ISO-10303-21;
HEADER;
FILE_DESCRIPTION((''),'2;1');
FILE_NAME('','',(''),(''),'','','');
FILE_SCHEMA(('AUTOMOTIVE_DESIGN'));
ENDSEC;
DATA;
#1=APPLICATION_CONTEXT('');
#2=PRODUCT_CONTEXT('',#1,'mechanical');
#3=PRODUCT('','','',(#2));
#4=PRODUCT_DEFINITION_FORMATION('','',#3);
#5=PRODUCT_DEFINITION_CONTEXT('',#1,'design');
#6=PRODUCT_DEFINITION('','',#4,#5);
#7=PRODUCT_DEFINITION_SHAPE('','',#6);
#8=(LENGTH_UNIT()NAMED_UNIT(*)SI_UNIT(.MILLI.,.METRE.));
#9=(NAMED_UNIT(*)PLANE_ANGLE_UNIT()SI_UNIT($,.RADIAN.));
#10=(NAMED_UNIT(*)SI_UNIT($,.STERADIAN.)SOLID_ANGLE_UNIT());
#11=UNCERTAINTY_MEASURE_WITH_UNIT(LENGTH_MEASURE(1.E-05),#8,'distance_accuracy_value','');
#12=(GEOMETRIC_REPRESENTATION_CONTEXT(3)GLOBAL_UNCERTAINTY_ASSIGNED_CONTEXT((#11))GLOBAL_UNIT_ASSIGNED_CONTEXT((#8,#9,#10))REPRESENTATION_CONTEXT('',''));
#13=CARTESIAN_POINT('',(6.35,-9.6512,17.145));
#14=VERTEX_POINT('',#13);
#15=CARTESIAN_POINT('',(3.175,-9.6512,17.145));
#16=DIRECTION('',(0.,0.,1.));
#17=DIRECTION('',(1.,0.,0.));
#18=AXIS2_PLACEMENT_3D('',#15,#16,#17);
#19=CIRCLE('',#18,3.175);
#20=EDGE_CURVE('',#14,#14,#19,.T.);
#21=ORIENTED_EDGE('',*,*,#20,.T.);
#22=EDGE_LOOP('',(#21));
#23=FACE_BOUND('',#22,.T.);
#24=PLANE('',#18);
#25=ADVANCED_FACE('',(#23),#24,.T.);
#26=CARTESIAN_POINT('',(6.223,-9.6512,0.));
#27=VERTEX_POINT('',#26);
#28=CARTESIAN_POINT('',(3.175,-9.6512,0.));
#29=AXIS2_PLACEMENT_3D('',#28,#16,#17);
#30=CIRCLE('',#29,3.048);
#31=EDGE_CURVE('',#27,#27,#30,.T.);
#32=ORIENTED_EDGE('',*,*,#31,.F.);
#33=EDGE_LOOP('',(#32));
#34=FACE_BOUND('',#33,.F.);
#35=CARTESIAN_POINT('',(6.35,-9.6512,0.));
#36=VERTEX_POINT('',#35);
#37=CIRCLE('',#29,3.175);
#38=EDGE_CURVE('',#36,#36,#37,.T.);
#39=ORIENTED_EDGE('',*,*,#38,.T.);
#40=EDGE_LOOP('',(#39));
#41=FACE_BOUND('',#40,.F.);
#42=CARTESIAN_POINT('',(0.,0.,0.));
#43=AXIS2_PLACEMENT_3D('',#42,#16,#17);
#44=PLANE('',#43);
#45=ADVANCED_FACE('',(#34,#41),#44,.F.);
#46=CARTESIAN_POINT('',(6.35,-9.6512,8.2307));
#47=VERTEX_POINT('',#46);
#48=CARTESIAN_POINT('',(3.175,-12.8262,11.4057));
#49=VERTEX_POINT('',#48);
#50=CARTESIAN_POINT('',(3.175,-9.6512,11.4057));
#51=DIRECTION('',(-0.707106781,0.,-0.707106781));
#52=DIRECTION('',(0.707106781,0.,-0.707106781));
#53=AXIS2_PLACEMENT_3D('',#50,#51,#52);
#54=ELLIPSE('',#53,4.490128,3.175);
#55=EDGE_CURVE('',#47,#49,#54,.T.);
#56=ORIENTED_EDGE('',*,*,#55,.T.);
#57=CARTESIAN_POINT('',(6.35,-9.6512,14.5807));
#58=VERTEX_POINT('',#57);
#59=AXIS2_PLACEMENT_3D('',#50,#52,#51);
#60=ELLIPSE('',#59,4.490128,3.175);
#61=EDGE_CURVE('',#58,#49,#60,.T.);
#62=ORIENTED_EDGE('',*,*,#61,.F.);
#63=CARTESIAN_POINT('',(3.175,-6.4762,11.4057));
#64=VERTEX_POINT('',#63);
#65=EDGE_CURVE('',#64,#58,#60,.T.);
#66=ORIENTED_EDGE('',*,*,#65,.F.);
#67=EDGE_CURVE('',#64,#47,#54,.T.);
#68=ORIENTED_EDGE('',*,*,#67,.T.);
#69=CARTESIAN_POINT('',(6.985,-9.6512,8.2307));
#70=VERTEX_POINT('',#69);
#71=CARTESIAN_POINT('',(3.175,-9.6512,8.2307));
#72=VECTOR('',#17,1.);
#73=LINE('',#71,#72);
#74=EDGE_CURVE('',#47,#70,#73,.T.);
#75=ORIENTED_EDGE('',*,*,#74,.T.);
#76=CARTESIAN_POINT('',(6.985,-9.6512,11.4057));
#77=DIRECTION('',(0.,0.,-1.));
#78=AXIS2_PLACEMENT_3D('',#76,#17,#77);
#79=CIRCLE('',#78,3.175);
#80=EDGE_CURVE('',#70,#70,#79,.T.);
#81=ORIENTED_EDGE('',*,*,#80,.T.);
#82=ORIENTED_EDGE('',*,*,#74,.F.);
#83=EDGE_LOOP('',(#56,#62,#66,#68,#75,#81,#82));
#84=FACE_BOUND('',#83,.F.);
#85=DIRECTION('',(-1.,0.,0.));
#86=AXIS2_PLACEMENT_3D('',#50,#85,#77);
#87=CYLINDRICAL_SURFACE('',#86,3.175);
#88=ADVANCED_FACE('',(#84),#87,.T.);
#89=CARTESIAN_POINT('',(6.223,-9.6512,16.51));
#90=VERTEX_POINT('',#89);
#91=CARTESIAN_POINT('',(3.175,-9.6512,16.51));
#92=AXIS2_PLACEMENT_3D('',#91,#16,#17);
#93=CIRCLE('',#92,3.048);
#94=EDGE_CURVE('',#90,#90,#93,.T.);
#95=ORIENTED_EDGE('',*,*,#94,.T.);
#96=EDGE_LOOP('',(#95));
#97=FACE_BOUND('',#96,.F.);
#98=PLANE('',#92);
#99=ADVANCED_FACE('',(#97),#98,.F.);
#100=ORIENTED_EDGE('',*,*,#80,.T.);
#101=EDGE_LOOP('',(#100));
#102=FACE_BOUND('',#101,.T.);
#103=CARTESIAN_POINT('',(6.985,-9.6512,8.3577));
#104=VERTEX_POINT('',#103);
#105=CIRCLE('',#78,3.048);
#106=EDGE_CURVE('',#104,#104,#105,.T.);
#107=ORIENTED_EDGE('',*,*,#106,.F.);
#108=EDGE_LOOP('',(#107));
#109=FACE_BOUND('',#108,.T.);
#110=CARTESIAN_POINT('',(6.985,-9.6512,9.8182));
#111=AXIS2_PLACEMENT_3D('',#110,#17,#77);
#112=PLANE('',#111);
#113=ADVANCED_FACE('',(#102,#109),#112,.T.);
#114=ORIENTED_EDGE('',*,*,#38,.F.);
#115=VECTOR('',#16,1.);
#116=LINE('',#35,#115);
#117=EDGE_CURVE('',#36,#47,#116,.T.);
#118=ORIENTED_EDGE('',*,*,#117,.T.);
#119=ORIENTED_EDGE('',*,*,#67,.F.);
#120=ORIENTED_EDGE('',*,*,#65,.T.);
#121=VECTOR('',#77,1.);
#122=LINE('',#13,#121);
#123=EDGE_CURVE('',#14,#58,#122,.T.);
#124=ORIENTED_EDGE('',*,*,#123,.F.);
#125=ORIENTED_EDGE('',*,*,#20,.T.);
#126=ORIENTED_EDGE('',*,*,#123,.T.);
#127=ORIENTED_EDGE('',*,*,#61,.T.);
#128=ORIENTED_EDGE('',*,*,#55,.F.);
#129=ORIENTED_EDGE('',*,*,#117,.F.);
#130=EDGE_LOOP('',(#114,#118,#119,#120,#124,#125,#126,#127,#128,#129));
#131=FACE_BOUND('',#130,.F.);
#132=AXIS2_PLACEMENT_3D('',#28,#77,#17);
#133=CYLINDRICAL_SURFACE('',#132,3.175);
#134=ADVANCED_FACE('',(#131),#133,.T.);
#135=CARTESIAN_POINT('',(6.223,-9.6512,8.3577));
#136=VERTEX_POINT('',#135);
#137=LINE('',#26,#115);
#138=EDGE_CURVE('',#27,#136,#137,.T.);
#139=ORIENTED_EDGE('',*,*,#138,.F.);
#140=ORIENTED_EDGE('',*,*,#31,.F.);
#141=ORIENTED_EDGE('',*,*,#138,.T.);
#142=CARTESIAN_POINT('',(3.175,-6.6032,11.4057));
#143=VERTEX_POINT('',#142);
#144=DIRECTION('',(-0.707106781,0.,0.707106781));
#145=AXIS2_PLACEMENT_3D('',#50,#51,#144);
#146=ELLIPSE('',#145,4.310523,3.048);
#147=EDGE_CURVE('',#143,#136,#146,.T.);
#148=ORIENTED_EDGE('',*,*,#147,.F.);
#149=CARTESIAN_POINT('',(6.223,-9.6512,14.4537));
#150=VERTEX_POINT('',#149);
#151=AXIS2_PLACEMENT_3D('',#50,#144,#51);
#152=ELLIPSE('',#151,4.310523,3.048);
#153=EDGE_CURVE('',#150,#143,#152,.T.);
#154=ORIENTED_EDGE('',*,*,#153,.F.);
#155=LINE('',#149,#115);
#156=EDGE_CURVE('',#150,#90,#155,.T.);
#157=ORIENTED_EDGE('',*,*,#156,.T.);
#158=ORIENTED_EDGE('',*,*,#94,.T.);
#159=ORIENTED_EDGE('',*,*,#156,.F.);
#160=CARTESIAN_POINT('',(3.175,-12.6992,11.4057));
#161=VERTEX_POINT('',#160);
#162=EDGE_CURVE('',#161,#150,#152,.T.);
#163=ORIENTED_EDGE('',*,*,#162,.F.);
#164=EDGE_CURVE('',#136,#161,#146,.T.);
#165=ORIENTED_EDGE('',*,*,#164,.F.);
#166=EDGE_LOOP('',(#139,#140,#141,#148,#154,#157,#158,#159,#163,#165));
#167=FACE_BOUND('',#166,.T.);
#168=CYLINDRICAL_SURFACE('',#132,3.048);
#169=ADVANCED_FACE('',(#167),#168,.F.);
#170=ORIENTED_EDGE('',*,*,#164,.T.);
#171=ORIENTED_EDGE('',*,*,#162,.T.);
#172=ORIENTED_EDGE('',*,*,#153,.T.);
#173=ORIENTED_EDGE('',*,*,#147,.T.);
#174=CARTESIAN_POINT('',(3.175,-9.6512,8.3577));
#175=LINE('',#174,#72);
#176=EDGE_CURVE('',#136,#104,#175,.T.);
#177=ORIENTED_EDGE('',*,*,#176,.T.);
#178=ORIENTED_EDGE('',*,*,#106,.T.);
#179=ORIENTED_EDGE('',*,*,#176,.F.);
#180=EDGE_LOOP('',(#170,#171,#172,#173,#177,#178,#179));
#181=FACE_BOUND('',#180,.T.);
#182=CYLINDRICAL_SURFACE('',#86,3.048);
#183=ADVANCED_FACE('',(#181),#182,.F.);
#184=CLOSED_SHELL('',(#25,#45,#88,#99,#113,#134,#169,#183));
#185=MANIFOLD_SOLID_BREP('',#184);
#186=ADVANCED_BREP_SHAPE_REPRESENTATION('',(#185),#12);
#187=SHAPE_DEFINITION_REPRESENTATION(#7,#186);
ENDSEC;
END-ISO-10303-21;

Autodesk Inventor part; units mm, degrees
ref_plane "YZ Plane" through (0, 0, 0) normal (1, 0, 0) x (0, 1, 0)
ref_plane "XZ Plane" through (0, 0, 0) normal (0, 1, 0) x (-1, 0, 0)
ref_plane "XY Plane" through (0, 0, 0) normal (0, 0, 1) x (1, 0, 0)
sketch "Sketch1" plane through (0, 0, 0) normal (0, 0, 1) x (1, 0, 0)
  circle A0 centre (3.175, -9.6512) radius 3.175 projected
  circle A1 centre (3.175, 9.6512) radius 3.175 projected
  circle A2 centre (3.175, -9.6512) radius 3.048
  point P0 (0, 0)
  dimension "d0" = 6.096
extrude "Extrusion1" add sketch "Sketch1" along normal blind 16.51 contours A0
ref_plane "Work Plane1" through (0, 0, 298.4246) normal (1, 0, 0) x (0, 0, 1)
sketch "Sketch2" plane through (0, 0, 298.4246) normal (1, 0, 0) x (0, 0, 1)
  point P0 (-298.4246, 0)
ref_plane "Work Plane2" through (6.985, -9.6512, 9.8182) normal (-1, 0, 0) x (0, 0, 1)
sketch "Sketch3" plane through (6.985, -9.6512, 9.8182) normal (-1, 0, 0) x (0, 0, 1)
  circle A0 centre (1.5875, 0) radius 3.175 projected
  circle A1 centre (1.5875, 0) radius 1.143 projected
  point P0 (-9.8182, 9.6512)
extrude "Extrusion2" cut sketch "Sketch3" along normal blind 3.81 contours A0 | A1
sketch "Sketch4" plane through (3.175, -9.6512, 9.8182) normal (1, 0, 0) x (0, 0, -1)
  arc A0 (-1.5875, 3.175) -> (-1.5875, -3.175) centre (-1.5875, 0) ccw projected
  circle A1 centre (-1.5875, 0) radius 3.175
  circle A2 centre (-1.5875, 0) radius 3.048
  point P0 (9.8182, 9.6512)
  dimension "d6" = 6.35
  dimension "d7" = 6.096
extrude "Extrusion3" add sketch "Sketch4" along normal blind 3.81
sketch "Sketch5" plane through (3.175, -9.6512, 9.8182) normal (-1, 0, 0) x (0, 0, 1)
  point P0 (-9.8182, 9.6512)
sketch "Sketch6" plane through (3.175, -9.6512, 16.51) normal (0, 0, 1) x (1, 0, 0)
  circle A0 centre (0, 0) radius 3.048 projected
  circle A1 centre (0, 0) radius 3.175 projected
  point P0 (-3.175, 9.6512)
extrude "Extrusion4" cut sketch "Sketch6" against normal through all contours A0
extrude "Extrusion5" add sketch "Sketch6" along normal blind 0.635 contours A0 | A1
properties part number "topwaterpipes"
